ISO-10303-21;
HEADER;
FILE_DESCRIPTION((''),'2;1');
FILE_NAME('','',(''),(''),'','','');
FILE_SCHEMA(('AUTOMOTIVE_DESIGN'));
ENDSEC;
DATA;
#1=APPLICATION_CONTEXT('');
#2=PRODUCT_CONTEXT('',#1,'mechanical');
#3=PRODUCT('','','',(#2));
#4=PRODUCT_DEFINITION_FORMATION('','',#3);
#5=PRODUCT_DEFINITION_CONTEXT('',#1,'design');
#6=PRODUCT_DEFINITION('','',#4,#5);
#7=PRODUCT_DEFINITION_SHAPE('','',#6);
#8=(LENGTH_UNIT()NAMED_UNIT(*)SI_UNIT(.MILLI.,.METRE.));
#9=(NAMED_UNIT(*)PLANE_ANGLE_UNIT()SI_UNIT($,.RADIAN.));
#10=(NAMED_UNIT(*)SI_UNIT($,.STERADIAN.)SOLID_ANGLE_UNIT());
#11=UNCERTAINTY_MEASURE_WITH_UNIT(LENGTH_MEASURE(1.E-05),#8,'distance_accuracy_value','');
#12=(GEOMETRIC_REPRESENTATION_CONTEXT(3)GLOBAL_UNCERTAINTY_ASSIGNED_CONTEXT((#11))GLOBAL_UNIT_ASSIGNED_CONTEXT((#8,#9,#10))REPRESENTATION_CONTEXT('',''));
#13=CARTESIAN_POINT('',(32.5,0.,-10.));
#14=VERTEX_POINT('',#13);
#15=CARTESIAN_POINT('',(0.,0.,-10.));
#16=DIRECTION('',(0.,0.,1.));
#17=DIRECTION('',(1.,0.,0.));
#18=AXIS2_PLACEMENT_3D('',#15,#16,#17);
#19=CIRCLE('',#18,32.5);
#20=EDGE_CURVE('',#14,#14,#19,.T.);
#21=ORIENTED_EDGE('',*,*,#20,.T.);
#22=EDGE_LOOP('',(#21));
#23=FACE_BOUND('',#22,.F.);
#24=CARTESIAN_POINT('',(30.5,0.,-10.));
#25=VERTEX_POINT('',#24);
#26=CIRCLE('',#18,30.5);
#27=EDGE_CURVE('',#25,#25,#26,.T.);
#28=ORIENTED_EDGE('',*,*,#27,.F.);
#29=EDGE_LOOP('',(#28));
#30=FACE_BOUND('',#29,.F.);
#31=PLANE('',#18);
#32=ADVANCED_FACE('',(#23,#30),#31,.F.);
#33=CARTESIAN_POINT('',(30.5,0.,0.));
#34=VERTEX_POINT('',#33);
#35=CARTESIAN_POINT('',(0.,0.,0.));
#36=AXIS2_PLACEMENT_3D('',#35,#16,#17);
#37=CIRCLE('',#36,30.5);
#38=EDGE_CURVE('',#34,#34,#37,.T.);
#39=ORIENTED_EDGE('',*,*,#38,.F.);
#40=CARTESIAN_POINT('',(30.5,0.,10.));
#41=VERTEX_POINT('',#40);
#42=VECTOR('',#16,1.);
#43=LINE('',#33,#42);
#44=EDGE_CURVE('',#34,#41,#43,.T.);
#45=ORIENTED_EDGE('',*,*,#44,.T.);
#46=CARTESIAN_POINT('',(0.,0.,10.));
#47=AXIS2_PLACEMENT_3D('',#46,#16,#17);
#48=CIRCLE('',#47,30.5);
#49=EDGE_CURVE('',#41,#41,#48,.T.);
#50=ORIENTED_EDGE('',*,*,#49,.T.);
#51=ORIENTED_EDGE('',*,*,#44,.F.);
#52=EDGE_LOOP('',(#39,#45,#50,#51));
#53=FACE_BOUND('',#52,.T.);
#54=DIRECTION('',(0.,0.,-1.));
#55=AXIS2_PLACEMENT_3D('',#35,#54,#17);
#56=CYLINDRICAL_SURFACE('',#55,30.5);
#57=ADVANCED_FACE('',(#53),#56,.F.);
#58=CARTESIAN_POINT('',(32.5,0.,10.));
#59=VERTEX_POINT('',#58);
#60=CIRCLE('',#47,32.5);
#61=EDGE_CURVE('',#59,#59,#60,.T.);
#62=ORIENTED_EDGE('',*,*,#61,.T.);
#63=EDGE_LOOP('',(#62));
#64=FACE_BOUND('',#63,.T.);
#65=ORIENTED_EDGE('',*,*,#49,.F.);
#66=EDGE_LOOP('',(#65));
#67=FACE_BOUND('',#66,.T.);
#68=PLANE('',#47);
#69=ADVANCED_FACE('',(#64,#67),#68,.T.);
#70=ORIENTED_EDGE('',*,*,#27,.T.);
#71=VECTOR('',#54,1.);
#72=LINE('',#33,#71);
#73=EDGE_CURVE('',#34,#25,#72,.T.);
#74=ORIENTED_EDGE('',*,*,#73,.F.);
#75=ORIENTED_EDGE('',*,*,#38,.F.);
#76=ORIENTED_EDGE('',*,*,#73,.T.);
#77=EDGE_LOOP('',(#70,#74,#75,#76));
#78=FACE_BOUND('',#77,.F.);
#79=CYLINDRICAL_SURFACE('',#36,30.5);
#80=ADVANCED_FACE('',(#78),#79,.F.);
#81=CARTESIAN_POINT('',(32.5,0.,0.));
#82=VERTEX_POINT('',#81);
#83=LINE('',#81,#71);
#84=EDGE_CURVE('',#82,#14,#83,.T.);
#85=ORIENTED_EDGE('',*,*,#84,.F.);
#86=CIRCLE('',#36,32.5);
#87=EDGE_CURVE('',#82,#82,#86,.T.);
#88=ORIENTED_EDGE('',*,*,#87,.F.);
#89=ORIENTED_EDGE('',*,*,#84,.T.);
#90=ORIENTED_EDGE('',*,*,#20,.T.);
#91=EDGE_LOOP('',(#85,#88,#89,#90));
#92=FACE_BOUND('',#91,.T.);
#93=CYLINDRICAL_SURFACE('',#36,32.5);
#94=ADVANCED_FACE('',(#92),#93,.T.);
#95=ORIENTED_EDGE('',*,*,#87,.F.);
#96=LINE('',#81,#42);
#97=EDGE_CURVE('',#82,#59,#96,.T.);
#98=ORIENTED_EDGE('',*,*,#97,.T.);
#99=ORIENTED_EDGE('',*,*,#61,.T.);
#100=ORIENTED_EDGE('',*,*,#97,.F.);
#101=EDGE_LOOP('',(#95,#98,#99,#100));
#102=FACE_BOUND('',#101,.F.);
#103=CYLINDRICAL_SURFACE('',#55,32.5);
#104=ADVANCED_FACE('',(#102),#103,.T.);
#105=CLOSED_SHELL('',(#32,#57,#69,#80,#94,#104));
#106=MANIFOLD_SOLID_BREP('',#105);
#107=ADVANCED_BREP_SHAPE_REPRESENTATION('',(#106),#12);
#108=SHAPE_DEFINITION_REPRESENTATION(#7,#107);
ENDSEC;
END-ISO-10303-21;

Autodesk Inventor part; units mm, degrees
ref_plane "YZ Plane" through (0, 0, 0) normal (1, 0, 0) x (0, 1, 0)
ref_plane "XZ Plane" through (0, 0, 0) normal (0, 1, 0) x (-1, 0, 0)
ref_plane "XY Plane" through (0, 0, 0) normal (0, 0, 1) x (1, 0, 0)
sketch "スケッチ1" plane through (0, 0, 0) normal (0, 0, 1) x (1, 0, 0)
  circle A0 centre (0, 0) radius 30.5
  circle A1 centre (0, 0) radius 32.5
  dimension "d0" = 61
  dimension "d1" = 65
extrude "押し出し1" add sketch "スケッチ1" along normal mid plane 20
properties part number "A6063-PP-65-2-30"
